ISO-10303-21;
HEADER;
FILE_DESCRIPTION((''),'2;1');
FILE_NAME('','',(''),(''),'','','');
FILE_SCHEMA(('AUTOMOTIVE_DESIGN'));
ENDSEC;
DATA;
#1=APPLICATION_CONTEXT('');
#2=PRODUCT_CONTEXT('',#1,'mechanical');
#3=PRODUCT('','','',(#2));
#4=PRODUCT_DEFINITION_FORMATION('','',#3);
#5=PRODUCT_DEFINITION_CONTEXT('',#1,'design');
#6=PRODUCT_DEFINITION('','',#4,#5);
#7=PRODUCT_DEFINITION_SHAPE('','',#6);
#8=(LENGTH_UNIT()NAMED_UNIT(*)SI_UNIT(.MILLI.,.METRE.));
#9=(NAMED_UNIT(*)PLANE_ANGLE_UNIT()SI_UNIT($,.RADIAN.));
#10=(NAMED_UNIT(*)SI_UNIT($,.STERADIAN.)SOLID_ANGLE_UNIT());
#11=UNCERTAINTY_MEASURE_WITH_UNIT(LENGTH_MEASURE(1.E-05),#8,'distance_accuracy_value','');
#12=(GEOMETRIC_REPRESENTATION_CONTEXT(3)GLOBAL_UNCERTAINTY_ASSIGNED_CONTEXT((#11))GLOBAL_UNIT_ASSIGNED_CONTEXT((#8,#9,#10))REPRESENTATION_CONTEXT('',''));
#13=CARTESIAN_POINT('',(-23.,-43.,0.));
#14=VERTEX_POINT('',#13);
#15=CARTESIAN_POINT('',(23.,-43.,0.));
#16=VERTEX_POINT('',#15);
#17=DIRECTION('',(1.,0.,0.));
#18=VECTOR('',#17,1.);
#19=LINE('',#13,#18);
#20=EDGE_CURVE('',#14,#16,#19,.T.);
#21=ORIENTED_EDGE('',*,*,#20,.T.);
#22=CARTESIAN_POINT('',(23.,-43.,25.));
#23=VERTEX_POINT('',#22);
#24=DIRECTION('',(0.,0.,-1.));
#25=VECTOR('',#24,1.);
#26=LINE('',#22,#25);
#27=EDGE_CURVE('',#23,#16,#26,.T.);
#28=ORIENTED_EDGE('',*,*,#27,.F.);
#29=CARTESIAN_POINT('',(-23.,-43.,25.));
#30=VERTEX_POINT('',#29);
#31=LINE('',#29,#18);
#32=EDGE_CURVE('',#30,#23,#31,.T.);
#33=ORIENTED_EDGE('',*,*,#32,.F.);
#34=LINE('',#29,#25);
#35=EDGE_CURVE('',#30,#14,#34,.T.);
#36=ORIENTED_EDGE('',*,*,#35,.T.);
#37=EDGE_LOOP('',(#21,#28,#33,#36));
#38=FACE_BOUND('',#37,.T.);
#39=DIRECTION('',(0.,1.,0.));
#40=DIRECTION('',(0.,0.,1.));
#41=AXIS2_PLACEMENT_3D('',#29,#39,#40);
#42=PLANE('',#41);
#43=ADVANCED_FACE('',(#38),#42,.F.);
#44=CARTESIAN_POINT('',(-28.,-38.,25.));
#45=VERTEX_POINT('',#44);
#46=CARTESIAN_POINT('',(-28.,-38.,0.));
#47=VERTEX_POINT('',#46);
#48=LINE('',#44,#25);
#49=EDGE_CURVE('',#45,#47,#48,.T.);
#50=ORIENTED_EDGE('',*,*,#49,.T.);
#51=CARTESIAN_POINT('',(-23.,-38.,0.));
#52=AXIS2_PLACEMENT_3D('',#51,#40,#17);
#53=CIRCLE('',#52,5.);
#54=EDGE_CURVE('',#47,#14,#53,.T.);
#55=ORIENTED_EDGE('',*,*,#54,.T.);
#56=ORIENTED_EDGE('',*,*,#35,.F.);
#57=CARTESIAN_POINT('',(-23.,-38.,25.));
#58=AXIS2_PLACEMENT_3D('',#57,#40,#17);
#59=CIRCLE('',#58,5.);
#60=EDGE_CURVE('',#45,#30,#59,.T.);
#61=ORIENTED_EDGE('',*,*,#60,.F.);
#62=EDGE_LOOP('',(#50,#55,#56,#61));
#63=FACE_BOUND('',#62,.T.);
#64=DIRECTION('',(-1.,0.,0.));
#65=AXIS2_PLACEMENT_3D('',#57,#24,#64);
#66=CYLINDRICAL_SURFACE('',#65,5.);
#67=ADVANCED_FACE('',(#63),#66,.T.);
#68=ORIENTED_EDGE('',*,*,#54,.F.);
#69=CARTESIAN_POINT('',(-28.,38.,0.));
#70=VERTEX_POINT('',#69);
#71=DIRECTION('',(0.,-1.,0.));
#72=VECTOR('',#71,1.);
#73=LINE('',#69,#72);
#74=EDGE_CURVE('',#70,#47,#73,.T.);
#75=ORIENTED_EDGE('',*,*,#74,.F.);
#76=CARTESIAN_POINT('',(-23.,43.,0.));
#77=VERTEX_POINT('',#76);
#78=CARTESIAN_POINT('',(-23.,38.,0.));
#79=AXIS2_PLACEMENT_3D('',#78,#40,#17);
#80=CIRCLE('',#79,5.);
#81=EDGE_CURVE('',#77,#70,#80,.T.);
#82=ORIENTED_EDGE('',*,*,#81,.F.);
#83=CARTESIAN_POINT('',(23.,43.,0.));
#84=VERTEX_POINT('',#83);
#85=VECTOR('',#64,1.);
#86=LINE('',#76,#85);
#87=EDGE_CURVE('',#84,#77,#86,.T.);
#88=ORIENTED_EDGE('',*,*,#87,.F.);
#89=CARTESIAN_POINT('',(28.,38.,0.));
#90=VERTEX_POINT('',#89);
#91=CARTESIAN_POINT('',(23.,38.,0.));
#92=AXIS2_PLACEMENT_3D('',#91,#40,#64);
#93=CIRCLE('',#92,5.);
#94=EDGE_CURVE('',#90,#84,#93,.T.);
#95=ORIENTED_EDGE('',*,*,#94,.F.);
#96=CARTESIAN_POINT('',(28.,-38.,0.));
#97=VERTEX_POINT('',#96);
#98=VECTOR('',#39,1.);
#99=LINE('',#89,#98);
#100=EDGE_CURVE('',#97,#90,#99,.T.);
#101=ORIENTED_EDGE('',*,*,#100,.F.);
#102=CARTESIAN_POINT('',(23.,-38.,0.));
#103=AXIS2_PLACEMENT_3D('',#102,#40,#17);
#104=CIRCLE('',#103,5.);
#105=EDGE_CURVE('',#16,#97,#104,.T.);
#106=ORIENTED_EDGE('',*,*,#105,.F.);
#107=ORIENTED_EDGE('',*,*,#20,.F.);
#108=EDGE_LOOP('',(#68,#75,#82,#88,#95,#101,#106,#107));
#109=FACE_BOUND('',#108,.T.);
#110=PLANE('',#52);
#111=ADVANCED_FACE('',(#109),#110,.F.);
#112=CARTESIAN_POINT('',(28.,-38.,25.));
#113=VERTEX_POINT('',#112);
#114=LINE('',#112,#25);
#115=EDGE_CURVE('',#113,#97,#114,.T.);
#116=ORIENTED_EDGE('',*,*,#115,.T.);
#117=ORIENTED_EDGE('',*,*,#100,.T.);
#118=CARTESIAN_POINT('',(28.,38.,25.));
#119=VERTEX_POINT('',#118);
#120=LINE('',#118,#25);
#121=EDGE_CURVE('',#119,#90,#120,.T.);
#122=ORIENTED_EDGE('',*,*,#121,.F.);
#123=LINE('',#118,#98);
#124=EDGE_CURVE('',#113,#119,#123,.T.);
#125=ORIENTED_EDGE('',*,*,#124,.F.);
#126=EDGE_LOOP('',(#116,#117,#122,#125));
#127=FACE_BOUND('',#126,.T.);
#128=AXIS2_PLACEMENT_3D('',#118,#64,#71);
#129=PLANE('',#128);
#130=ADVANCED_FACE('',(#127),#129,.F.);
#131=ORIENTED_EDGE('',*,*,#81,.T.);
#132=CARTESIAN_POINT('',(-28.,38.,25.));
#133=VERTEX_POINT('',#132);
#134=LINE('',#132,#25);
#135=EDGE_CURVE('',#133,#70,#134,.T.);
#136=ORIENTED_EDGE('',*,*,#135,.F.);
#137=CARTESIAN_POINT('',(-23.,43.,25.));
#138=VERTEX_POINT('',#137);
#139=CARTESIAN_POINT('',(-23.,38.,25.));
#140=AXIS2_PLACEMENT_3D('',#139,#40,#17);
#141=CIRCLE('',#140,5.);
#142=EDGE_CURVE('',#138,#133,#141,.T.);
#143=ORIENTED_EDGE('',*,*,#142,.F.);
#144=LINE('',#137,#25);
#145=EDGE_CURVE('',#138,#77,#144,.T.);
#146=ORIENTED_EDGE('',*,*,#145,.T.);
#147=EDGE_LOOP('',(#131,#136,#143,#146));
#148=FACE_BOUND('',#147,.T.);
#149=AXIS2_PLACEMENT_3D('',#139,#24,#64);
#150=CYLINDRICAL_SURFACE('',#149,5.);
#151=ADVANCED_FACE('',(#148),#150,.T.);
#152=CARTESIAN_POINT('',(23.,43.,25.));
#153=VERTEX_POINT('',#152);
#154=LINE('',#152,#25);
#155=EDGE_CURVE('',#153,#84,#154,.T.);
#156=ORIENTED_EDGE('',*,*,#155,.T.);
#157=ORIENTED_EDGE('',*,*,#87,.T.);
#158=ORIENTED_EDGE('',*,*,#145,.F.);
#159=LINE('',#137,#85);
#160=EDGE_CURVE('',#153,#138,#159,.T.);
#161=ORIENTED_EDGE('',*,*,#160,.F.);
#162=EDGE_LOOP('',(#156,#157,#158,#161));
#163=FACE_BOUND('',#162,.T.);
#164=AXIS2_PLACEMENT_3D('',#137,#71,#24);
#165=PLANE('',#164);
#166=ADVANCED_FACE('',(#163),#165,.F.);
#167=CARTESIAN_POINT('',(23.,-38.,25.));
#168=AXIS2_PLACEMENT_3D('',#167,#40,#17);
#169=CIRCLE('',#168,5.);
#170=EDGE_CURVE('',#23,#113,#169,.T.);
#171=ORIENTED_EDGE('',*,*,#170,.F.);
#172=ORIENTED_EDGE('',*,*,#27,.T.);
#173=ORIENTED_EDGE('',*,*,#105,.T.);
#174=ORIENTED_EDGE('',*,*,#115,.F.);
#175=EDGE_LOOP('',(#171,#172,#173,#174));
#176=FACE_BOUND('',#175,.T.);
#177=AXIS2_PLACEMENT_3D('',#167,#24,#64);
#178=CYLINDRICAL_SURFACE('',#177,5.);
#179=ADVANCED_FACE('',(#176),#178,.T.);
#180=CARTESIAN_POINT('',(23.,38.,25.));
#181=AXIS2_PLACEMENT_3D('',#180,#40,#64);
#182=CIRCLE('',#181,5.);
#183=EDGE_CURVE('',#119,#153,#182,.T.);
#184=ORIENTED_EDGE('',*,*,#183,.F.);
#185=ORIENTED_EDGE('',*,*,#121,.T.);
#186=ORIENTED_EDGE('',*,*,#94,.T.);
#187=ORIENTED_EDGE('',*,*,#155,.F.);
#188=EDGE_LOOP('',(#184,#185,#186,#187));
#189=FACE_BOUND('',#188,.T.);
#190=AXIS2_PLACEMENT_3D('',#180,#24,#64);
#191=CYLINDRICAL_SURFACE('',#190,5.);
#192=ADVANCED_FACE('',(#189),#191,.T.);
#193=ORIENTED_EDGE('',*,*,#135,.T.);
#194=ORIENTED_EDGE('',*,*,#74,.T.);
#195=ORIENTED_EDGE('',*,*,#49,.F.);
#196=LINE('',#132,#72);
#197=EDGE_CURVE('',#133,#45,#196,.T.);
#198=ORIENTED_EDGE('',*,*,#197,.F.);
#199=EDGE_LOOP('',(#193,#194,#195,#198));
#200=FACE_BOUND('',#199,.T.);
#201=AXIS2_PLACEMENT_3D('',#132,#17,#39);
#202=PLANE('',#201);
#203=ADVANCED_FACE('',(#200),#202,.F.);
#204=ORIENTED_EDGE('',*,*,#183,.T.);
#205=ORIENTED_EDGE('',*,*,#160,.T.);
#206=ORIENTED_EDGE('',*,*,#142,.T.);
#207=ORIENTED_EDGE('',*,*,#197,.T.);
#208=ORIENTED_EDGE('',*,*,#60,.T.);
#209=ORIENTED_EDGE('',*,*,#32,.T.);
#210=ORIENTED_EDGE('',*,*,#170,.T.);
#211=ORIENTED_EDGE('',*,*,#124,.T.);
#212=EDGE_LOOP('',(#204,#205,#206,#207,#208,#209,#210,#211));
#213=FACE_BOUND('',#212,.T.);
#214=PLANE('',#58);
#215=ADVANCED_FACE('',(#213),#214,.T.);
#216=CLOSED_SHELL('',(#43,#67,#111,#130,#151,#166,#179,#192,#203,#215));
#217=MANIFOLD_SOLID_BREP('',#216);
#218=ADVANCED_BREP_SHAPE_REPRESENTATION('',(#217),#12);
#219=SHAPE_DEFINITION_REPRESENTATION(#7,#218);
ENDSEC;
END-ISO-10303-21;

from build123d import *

# Parameters (mm, degrees)
BOSS_EXTRUDE1_DEPTH = 25


with BuildPart() as part:
    # Sketch1 → Boss-Extrude1 (new body)
    with BuildSketch(Plane.XY):
        with BuildLine():
            Line((-23, 43), (23, 43))
            ThreePointArc((23, 43), (26.535533906, 41.535533906), (28, 38))
            Line((28, 38), (28, -38))
            ThreePointArc((28, -38), (26.535533906, -41.535533906), (23, -43))
            Line((23, -43), (-23, -43))
            ThreePointArc((-23, -43), (-26.535533906, -41.535533906), (-28, -38))
            Line((-28, -38), (-28, 38))
            ThreePointArc((-28, 38), (-26.535533906, 41.535533906), (-23, 43))
        make_face()
    extrude(amount=BOSS_EXTRUDE1_DEPTH)


solid = part.part
